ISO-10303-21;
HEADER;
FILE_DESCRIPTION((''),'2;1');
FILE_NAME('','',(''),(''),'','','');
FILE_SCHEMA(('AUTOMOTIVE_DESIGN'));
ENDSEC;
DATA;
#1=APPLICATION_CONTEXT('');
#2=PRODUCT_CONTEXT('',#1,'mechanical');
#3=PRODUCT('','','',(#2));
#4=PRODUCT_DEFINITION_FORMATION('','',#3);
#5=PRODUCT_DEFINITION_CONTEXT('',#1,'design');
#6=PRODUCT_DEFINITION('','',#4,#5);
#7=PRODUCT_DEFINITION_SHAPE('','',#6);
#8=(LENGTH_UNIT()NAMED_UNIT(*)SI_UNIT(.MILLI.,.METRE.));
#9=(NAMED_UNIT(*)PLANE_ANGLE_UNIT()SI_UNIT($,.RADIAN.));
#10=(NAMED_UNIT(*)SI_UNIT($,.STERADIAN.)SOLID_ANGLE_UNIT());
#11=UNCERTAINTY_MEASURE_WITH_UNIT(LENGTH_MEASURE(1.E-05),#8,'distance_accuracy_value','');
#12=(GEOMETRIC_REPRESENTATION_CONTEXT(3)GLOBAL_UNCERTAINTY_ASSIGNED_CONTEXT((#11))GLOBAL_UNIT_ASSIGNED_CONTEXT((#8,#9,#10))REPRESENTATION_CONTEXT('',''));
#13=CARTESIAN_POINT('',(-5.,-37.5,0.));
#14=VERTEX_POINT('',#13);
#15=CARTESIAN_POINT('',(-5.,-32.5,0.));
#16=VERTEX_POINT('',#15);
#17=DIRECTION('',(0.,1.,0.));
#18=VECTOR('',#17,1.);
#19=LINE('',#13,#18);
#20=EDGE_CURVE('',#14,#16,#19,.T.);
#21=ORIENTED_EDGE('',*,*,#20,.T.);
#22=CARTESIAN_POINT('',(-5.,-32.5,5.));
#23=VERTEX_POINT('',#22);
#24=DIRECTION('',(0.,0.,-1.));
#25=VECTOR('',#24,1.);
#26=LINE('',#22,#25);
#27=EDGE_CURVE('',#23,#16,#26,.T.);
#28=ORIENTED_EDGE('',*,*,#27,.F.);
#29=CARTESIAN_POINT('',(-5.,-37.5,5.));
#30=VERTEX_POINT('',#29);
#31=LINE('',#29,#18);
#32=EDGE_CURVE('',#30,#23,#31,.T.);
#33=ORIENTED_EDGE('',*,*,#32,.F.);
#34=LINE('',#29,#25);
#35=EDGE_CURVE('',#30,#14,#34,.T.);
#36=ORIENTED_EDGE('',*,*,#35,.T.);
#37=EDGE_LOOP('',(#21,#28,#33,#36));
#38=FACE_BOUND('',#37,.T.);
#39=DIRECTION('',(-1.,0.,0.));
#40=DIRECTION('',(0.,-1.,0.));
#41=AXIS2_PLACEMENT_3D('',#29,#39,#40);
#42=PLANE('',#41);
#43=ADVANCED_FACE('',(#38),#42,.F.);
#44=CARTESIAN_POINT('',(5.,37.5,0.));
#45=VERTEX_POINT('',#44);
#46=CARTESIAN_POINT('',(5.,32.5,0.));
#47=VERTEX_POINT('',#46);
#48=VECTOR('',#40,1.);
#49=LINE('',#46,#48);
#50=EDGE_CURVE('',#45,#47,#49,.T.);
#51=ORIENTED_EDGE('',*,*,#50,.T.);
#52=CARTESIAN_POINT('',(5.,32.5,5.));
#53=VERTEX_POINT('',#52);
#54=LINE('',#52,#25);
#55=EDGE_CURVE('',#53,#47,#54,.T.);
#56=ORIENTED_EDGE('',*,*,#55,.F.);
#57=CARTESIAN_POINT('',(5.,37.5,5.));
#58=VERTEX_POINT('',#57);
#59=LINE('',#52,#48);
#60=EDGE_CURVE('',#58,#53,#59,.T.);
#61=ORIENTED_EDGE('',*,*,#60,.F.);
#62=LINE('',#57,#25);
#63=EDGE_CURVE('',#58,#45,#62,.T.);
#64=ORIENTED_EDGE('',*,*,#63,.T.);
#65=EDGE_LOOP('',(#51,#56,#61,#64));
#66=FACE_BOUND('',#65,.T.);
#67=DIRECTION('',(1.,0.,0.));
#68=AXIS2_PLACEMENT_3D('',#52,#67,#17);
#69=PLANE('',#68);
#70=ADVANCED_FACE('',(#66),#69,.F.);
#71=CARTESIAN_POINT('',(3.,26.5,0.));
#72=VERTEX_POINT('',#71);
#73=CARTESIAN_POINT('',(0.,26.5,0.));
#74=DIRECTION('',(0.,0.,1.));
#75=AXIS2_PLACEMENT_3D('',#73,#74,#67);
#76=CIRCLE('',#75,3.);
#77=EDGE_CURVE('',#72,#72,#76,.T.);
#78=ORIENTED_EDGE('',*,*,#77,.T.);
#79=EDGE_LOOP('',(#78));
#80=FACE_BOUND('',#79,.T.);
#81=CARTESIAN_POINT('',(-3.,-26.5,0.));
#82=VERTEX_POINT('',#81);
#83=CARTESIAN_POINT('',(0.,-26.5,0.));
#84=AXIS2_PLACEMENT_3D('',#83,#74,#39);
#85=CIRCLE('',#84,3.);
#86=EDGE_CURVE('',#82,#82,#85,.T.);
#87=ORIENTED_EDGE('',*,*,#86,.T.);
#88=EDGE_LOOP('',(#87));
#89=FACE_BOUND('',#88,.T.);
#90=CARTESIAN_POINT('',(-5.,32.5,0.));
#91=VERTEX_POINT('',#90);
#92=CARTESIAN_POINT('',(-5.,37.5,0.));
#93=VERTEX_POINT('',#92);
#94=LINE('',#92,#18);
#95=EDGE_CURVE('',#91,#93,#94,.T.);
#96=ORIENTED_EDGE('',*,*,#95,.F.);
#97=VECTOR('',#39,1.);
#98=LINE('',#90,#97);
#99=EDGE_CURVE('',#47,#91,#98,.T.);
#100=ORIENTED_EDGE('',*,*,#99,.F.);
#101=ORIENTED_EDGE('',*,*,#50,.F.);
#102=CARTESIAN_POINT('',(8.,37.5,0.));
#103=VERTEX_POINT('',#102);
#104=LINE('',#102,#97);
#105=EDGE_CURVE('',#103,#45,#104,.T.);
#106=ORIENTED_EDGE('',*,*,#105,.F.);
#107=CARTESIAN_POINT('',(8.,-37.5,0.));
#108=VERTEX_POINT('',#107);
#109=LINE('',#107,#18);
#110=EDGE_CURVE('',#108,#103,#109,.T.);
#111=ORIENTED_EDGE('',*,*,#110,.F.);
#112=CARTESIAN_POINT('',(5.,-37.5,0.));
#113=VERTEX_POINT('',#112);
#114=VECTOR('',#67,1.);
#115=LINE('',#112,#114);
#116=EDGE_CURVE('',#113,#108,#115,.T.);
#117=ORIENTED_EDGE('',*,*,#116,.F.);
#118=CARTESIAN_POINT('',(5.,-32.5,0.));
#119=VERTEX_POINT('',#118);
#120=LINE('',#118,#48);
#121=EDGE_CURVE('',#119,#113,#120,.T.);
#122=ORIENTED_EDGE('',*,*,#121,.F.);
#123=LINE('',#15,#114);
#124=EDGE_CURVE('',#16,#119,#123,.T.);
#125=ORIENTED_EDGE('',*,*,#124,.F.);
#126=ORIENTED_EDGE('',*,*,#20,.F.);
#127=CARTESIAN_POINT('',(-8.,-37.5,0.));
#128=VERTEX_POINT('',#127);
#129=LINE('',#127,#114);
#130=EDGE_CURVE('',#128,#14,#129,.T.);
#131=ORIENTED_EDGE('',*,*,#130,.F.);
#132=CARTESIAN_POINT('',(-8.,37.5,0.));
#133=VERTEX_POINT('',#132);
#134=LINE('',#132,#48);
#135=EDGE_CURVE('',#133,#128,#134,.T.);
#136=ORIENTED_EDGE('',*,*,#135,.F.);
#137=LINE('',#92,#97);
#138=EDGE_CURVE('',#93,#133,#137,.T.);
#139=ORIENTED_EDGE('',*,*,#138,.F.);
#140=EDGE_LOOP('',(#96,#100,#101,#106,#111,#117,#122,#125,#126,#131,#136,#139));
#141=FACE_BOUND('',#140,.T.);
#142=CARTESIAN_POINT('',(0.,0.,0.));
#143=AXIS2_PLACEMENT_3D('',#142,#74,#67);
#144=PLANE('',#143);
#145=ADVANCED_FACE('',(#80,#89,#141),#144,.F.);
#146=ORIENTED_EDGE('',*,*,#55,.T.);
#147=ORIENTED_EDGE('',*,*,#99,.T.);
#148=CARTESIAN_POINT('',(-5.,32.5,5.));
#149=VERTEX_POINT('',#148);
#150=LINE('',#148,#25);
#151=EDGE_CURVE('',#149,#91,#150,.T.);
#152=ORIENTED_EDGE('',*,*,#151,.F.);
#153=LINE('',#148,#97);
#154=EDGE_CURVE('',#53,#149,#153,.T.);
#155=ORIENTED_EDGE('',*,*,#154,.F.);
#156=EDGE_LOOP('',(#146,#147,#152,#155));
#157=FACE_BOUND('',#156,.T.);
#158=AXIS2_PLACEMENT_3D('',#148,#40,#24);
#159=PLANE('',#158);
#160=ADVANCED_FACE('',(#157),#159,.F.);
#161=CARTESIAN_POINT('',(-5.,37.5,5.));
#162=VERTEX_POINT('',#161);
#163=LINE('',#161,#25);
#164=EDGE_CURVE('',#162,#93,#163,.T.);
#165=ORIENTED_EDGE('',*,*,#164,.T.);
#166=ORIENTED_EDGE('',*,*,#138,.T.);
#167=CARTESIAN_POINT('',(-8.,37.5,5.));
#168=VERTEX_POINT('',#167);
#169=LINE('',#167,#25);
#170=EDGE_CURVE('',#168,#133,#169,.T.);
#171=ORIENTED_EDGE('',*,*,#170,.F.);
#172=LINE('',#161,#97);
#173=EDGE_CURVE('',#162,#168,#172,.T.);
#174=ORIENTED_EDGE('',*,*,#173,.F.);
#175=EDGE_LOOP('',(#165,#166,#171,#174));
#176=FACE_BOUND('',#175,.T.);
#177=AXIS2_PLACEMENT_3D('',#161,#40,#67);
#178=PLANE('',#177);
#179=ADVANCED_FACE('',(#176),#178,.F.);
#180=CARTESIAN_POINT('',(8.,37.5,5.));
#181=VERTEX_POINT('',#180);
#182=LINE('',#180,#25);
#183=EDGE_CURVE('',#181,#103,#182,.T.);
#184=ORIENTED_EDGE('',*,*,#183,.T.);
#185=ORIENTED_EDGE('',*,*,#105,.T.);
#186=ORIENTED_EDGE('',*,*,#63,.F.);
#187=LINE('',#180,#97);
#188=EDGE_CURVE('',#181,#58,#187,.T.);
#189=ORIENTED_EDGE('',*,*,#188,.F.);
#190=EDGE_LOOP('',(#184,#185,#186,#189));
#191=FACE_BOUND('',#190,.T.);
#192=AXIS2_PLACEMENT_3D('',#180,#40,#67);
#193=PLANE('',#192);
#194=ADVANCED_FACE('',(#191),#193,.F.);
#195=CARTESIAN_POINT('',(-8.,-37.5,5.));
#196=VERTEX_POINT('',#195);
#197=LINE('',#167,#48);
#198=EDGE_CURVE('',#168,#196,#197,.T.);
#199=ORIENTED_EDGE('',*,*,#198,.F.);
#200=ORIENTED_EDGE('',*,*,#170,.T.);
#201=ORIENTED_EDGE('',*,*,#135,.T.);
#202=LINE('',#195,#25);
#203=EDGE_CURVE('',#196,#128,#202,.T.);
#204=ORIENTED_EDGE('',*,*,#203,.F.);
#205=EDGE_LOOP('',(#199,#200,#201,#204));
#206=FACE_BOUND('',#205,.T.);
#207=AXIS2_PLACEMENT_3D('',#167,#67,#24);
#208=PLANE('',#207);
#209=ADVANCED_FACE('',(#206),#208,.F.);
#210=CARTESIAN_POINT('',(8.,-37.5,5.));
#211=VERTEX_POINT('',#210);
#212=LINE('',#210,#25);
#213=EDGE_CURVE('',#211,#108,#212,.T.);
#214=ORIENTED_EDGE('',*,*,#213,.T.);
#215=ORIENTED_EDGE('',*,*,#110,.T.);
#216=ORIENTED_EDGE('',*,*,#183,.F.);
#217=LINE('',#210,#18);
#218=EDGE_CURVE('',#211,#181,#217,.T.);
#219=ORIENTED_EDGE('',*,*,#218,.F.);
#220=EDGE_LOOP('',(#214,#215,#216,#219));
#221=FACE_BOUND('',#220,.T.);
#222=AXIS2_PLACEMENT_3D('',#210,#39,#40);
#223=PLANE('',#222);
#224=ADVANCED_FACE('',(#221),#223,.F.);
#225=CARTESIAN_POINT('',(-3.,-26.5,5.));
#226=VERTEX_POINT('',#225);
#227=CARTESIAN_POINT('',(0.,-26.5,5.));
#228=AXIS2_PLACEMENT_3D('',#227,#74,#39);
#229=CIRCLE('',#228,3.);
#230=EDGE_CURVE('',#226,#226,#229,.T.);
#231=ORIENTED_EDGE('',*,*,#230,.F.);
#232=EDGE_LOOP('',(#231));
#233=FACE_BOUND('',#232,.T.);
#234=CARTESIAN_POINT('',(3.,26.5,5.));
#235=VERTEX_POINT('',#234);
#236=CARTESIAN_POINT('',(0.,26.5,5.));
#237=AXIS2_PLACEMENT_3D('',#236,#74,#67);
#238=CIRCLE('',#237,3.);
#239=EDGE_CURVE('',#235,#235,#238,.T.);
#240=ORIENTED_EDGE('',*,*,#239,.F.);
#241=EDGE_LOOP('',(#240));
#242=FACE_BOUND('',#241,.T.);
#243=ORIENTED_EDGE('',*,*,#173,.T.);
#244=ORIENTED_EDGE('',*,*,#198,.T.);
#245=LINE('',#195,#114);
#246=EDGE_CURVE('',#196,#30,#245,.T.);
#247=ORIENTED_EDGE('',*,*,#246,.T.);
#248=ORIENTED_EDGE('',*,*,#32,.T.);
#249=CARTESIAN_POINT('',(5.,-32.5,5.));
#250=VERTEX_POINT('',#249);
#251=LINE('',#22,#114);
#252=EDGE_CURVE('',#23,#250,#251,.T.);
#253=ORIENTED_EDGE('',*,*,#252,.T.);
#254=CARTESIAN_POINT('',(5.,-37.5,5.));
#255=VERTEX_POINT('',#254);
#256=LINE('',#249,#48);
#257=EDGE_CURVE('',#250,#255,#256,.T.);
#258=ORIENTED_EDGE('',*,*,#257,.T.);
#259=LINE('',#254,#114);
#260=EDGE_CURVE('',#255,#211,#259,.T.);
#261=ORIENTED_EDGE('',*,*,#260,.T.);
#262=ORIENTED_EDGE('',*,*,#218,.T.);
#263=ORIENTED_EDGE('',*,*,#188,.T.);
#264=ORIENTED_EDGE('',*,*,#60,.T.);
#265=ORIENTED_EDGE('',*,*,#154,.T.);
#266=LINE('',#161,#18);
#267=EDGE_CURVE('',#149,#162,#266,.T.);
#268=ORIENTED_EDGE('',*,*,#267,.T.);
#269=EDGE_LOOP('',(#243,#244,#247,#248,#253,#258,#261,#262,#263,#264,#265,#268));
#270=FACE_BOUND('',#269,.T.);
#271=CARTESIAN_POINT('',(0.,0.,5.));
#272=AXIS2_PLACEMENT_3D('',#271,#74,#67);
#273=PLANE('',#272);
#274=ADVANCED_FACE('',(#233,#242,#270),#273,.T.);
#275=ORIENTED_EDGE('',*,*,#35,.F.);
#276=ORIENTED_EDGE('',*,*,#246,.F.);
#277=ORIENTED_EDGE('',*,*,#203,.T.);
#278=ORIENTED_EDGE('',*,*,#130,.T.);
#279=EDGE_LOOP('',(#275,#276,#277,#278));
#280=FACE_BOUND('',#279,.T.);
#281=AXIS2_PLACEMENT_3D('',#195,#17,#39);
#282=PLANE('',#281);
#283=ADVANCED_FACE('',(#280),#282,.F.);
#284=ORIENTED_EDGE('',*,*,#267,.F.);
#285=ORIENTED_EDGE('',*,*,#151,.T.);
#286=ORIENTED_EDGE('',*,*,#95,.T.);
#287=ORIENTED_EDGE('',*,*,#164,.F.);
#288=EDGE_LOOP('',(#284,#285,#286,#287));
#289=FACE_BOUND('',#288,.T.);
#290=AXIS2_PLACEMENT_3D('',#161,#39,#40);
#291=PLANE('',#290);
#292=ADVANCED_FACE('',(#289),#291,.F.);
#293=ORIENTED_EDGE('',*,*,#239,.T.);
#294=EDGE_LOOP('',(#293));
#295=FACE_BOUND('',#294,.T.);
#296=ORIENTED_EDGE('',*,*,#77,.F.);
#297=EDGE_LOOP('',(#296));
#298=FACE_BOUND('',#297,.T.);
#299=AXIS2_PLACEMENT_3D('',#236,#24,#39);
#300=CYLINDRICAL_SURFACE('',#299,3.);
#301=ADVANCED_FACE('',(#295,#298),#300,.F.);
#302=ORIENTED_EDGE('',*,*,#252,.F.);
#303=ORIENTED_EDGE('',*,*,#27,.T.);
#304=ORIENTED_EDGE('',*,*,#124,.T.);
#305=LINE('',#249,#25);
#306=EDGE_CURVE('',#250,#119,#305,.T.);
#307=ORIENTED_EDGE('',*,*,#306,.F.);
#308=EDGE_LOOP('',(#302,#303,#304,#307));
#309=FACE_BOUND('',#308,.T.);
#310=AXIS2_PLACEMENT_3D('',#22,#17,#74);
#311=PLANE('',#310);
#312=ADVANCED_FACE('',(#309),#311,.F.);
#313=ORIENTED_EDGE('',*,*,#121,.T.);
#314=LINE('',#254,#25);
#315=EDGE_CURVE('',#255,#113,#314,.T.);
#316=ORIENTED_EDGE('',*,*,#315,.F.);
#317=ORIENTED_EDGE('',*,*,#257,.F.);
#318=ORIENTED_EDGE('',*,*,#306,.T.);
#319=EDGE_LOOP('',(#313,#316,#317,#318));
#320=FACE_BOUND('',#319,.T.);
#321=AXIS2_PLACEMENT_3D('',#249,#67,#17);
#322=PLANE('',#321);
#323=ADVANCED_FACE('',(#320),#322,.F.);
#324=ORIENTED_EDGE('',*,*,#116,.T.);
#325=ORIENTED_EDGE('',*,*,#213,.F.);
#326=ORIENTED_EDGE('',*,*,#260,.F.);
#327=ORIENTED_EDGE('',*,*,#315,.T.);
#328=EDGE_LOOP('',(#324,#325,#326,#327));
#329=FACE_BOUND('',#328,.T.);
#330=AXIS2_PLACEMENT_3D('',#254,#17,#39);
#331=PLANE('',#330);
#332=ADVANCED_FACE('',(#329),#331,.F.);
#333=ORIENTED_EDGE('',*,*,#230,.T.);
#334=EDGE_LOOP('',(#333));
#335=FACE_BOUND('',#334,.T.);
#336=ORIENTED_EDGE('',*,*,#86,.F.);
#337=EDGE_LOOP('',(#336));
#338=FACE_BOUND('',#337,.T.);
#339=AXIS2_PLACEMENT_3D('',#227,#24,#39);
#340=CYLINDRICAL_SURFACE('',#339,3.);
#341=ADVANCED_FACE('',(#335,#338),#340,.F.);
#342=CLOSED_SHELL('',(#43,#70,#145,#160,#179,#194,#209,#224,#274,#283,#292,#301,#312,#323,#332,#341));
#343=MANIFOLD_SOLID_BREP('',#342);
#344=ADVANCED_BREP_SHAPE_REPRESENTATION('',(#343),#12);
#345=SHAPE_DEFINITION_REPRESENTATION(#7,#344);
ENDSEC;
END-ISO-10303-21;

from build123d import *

# Parameters (mm, degrees)
SKETCH2_R           = 3
BOSS_EXTRUDE1_DEPTH = 5


with BuildPart() as part:
    # Sketch2 → Boss-Extrude1 (new body)
    with BuildSketch(Plane.XY):
        Polygon((-5, 37.5), (-8, 37.5), (-8, -37.5), (-5, -37.5), (-5, -32.5), (5, -32.5), (5, -37.5), (8, -37.5), (8, 37.5), (5, 37.5), (5, 32.5), (-5, 32.5), align=None)
        with Locations((0, -26.5)):
            Circle(SKETCH2_R, mode=Mode.SUBTRACT)
        with Locations((0, 26.5)):
            Circle(SKETCH2_R, mode=Mode.SUBTRACT)
    extrude(amount=BOSS_EXTRUDE1_DEPTH)


solid = part.part
